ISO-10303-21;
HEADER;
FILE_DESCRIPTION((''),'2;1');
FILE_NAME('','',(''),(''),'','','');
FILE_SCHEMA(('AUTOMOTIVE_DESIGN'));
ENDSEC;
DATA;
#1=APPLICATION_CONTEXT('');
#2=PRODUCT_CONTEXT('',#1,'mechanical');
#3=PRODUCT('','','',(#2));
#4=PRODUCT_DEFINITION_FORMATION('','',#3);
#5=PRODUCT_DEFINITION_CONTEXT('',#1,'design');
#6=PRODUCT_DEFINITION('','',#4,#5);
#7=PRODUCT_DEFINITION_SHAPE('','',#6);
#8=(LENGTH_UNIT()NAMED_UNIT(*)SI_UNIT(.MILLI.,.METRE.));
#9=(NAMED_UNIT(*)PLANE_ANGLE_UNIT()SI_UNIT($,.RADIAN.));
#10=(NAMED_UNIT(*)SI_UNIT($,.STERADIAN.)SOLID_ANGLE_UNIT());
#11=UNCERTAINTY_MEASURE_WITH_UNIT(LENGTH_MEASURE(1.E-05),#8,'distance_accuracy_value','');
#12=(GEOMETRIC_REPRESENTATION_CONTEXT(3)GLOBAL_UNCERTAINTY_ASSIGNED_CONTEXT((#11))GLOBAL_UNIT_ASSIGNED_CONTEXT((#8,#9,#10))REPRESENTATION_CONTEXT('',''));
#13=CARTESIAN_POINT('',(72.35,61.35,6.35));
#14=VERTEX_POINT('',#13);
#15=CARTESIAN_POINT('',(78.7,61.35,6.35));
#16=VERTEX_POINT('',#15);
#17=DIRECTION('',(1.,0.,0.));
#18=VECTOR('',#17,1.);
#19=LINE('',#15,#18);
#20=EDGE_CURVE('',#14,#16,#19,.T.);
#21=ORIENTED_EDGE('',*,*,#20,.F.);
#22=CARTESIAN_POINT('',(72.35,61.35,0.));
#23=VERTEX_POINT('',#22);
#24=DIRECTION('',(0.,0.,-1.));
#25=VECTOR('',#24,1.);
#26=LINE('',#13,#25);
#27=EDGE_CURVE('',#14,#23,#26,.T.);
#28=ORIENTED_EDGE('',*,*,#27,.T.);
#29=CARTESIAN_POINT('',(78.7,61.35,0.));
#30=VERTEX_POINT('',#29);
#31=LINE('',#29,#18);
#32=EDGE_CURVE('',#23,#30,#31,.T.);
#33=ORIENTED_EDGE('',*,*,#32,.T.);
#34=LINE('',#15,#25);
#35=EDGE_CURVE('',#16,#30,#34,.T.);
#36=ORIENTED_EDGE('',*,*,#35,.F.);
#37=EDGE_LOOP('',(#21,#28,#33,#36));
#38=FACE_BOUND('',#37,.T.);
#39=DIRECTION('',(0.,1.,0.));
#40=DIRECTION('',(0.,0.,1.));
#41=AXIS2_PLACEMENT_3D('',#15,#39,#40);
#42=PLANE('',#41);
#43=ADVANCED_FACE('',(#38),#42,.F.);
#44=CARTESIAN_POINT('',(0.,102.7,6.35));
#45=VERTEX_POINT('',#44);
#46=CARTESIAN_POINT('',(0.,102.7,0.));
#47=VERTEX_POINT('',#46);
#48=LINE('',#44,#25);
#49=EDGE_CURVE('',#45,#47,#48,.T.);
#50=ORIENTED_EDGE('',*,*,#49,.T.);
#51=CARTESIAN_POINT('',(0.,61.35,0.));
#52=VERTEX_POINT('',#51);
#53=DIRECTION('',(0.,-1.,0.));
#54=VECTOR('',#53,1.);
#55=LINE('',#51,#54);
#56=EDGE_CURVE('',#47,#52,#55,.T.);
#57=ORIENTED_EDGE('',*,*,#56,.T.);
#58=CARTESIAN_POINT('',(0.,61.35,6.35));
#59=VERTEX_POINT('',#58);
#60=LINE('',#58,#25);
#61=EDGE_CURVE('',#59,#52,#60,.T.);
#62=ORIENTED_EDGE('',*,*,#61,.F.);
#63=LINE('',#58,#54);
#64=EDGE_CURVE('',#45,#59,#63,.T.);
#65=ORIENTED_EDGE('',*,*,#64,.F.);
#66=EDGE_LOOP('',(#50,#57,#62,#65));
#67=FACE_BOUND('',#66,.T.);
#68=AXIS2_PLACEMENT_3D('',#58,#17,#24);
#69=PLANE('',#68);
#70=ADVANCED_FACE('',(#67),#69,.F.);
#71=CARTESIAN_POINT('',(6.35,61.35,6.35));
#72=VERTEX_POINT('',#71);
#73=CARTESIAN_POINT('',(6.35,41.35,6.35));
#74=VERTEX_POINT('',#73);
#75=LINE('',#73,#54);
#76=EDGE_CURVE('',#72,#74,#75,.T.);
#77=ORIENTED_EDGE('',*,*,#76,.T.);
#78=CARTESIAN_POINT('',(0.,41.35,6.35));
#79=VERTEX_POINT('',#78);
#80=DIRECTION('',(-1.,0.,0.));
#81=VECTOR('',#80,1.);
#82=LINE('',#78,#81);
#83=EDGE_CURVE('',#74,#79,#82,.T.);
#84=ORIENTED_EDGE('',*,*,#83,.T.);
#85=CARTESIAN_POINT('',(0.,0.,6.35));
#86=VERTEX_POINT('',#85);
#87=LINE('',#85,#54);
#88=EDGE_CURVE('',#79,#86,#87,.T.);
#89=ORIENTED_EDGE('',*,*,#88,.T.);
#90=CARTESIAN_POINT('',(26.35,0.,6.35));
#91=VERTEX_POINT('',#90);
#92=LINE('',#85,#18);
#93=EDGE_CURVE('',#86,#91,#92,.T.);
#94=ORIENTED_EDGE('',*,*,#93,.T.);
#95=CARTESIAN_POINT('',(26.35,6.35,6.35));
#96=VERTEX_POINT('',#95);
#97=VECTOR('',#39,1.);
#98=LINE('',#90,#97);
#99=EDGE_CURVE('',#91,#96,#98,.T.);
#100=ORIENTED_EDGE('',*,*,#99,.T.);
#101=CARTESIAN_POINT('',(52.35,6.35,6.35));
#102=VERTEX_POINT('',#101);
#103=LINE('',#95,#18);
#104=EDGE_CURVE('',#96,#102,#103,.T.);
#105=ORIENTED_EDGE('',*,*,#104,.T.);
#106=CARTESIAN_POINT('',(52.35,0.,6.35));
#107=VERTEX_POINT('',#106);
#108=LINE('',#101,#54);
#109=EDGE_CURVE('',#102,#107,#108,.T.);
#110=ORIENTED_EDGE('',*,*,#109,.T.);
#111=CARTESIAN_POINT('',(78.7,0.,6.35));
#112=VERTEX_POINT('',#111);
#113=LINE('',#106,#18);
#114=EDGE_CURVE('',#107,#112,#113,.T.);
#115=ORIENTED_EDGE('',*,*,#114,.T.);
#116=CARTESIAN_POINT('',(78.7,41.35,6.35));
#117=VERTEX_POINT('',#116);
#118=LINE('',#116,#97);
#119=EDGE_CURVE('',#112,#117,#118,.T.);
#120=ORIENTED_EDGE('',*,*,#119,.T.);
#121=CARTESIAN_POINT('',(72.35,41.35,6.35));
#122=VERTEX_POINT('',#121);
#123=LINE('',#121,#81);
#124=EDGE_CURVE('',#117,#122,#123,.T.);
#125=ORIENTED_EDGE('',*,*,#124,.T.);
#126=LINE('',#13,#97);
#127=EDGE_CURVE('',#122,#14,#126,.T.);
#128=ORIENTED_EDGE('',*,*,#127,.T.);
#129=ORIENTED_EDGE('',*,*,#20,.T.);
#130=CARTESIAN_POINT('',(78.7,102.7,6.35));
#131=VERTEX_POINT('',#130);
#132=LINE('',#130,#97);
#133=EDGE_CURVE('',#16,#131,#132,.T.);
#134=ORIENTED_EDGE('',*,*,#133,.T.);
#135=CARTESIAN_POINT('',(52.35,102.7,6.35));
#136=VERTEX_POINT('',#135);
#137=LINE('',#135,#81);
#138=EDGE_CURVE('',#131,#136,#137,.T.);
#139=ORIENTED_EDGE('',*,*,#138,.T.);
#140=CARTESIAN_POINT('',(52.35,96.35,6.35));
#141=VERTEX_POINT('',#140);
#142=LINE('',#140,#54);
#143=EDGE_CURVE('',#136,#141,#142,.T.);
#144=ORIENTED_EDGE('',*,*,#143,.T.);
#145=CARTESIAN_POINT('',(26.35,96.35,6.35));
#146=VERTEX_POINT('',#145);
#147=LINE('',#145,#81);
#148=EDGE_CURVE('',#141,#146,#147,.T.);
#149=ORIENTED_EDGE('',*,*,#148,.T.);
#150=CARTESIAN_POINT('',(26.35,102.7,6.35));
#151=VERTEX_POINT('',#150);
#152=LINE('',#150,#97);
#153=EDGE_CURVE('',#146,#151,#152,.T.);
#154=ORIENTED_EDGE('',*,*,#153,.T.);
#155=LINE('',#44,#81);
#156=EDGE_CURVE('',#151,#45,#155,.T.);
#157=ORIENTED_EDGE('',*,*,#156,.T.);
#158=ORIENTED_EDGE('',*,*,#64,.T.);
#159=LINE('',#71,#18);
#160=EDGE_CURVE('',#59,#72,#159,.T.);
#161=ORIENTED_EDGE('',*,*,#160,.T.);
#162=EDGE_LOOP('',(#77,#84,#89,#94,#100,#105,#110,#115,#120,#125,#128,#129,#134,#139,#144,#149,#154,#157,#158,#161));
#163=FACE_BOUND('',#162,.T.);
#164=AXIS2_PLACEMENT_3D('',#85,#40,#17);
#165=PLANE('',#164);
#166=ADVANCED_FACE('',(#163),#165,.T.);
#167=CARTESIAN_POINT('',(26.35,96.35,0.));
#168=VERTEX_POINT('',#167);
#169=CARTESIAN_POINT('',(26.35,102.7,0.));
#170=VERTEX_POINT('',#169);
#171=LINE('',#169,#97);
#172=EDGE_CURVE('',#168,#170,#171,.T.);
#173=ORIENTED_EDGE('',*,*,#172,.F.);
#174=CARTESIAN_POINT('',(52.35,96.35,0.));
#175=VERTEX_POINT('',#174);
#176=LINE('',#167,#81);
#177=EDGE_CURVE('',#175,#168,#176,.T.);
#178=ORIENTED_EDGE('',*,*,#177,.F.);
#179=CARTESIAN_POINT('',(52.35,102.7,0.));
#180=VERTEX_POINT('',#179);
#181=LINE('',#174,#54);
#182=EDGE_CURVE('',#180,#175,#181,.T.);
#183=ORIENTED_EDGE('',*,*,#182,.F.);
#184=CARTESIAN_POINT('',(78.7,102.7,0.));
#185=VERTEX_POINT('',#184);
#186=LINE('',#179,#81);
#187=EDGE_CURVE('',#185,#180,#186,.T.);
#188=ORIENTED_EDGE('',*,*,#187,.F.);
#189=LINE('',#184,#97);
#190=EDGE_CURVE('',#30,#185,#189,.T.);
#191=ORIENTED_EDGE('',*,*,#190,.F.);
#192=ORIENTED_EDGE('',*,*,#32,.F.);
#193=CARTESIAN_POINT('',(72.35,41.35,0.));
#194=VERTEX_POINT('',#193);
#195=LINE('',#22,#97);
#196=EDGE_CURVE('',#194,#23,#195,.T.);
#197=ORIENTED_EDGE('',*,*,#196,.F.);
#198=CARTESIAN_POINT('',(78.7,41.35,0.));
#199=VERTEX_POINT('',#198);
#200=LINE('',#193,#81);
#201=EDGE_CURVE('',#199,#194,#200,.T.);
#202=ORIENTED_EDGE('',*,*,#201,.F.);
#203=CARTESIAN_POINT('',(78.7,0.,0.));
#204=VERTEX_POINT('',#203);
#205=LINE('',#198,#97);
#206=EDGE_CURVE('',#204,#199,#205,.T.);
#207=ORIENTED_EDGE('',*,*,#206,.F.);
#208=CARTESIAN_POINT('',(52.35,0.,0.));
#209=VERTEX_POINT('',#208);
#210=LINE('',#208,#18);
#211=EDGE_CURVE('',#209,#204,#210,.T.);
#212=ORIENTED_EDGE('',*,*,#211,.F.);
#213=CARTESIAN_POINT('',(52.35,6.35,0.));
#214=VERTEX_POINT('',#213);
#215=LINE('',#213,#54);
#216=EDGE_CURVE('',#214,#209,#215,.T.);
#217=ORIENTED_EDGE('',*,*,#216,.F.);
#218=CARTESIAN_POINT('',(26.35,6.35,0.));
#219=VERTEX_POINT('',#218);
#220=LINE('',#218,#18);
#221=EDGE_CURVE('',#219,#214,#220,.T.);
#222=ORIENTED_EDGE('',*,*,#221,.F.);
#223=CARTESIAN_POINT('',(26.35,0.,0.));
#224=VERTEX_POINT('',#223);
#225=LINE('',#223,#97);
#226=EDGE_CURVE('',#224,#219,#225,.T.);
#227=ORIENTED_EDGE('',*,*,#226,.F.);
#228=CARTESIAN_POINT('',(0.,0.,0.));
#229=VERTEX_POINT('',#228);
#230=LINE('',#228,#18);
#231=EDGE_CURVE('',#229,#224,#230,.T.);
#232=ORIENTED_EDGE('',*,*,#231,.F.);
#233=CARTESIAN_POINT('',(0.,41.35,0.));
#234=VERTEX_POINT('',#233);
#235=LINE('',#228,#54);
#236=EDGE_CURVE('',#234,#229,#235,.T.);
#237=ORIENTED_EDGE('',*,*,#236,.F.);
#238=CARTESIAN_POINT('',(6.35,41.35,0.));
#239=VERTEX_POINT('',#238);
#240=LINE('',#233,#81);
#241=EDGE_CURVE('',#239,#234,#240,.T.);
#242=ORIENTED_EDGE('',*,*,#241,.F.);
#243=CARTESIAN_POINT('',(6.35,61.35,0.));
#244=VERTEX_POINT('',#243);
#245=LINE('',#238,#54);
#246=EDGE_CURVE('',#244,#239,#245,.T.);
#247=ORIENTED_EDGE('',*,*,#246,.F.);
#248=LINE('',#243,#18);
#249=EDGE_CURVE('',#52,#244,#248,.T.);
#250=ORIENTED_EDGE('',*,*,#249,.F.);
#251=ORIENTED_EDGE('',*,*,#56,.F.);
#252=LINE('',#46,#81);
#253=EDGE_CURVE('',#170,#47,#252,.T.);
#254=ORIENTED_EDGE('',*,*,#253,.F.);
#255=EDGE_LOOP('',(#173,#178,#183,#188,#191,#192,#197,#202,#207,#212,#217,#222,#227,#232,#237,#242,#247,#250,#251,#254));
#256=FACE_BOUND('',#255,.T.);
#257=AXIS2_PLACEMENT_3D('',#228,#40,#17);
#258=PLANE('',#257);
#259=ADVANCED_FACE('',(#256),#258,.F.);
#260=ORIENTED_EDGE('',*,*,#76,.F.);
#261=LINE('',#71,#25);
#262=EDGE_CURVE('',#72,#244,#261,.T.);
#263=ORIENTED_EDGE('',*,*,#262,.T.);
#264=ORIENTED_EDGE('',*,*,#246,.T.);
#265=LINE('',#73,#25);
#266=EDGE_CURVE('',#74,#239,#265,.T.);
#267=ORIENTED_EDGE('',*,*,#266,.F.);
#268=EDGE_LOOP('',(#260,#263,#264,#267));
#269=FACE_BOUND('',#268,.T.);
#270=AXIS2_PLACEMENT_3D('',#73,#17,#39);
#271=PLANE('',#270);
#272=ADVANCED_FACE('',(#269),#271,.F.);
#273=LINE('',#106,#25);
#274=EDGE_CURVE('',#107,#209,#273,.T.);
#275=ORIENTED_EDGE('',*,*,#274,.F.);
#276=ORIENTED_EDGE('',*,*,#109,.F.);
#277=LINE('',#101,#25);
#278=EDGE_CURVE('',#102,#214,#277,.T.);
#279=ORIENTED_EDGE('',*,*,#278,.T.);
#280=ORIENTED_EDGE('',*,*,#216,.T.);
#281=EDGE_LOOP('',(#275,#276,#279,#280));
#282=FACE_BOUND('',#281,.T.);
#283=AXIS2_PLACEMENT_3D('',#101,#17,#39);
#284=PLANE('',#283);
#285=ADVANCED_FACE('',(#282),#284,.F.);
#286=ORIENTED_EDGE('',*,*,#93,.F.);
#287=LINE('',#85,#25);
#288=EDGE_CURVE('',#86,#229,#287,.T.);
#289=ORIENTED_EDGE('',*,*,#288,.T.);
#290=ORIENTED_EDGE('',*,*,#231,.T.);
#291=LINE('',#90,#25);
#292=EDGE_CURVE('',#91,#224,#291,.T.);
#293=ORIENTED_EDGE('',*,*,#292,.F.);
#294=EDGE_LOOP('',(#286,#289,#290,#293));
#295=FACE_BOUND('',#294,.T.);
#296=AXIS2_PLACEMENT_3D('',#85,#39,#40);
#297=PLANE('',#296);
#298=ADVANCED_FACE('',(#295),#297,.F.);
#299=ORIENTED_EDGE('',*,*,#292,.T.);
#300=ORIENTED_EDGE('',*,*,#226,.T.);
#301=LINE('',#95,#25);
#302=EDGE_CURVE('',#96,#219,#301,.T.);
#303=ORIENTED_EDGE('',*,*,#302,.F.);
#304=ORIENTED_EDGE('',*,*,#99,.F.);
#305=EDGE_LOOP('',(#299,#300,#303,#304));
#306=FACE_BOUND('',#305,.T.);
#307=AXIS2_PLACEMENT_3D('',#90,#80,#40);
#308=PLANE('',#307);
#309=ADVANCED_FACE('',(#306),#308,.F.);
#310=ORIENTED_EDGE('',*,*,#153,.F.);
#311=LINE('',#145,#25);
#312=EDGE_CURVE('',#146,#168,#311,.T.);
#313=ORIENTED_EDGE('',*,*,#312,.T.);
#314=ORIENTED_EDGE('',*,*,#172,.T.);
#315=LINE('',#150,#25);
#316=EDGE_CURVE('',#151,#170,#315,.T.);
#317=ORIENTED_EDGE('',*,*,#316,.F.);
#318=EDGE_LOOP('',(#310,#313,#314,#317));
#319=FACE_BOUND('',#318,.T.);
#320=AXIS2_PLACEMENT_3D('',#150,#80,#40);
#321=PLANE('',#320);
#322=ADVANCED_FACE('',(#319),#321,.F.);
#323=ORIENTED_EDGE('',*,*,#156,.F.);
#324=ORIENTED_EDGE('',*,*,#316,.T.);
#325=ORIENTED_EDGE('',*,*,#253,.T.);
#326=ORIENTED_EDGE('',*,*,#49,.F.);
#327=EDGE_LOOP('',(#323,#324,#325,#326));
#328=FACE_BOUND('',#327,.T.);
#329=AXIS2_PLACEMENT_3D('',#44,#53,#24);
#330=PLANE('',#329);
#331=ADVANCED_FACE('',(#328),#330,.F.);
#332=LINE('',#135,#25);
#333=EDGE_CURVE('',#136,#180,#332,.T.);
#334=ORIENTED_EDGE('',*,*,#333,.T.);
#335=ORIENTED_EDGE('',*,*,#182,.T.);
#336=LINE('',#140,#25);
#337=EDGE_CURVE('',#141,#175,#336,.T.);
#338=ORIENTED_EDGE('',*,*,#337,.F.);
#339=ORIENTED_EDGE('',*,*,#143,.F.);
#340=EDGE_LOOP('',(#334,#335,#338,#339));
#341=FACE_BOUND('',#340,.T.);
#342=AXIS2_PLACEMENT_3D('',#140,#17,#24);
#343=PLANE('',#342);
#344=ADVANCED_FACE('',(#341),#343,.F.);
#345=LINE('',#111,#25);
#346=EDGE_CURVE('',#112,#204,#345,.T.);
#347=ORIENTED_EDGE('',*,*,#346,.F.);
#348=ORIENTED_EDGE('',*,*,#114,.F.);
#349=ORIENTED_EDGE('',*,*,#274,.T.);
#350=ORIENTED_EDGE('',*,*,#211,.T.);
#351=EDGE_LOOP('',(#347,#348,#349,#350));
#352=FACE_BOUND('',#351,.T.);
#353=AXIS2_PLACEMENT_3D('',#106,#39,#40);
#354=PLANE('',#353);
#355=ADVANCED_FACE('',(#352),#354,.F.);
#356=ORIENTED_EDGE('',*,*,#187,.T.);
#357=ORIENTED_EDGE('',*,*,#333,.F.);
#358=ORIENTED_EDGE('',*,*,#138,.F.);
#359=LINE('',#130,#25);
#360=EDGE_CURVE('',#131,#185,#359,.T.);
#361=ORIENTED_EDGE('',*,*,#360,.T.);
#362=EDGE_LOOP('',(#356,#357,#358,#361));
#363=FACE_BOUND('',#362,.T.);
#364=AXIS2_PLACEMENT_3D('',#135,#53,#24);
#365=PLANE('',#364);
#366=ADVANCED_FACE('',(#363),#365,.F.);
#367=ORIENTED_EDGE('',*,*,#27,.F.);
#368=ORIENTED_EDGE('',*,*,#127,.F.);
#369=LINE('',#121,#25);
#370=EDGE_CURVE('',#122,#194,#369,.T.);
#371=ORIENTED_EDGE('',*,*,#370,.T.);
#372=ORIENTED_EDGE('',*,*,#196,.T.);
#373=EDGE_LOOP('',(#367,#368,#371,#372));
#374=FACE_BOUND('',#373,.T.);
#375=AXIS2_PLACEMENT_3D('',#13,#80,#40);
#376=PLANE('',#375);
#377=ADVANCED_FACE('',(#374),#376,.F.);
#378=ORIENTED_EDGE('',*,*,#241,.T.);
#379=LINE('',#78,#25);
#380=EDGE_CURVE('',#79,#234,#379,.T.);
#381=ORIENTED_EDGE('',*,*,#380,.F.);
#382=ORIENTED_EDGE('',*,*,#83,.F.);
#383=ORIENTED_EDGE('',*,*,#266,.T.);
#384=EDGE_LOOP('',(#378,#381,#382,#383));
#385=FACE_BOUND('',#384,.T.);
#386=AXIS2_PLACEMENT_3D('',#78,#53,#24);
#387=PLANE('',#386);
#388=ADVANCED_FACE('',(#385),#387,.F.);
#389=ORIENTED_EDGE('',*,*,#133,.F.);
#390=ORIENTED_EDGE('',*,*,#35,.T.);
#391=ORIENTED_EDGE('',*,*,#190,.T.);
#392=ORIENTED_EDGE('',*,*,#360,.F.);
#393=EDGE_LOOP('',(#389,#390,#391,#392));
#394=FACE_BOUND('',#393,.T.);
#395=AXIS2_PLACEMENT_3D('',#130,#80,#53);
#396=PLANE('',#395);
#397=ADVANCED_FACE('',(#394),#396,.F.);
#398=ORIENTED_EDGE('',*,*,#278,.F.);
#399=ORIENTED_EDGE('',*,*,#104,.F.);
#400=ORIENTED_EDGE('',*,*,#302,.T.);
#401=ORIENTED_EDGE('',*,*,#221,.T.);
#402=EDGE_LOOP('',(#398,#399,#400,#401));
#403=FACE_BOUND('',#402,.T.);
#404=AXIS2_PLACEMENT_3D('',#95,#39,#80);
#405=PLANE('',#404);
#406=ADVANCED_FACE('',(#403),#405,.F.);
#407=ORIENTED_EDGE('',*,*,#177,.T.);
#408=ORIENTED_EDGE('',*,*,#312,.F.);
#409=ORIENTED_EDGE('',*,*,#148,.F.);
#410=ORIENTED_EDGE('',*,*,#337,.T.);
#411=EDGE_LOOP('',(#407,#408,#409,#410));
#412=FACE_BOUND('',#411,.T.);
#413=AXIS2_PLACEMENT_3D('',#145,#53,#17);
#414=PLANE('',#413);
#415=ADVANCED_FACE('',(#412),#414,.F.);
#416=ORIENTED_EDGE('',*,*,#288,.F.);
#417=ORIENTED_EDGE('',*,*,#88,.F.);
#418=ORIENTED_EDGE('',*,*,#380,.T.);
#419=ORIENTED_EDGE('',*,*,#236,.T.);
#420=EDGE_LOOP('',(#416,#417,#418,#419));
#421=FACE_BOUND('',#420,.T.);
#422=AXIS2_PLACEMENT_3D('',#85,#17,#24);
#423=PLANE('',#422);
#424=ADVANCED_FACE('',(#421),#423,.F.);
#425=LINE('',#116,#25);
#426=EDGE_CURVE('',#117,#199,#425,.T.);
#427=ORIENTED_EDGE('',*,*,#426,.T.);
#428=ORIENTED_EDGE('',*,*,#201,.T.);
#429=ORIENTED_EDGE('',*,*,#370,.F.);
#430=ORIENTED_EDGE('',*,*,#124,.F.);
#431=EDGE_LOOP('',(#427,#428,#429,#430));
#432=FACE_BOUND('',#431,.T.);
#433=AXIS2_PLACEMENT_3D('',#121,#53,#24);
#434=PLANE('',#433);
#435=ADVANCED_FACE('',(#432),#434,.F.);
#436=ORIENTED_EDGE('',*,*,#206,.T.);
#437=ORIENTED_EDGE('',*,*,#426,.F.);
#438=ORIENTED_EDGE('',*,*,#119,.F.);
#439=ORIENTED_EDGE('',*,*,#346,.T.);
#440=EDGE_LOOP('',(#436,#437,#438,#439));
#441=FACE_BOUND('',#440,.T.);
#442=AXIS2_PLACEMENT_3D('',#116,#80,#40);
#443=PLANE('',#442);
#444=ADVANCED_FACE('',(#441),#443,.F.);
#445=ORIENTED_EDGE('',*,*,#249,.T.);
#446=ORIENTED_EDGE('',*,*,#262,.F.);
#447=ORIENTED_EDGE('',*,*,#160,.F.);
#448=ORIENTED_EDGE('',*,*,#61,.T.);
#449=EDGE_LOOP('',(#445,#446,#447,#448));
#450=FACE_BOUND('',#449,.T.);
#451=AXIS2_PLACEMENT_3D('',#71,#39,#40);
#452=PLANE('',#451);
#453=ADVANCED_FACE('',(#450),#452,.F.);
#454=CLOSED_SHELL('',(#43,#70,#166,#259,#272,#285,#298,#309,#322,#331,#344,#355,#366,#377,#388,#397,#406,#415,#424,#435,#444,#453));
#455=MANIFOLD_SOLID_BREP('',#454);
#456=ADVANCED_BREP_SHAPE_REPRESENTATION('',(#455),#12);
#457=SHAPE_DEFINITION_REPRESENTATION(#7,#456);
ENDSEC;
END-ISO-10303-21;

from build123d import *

# Parameters (mm, degrees)
BOSS_EXTRUDE1_DEPTH = 6.35


with BuildPart() as part:
    # Sketch1 → Boss-Extrude1 (new body)
    with BuildSketch(Plane.XY):
        Polygon((0, 0), (0, 41.35), (6.35, 41.35), (6.35, 61.35), (0, 61.35), (0, 102.7), (26.35, 102.7), (26.35, 96.35), (52.35, 96.35), (52.35, 102.7), (78.7, 102.7), (78.7, 61.35), (72.35, 61.35), (72.35, 41.35), (78.7, 41.35), (78.7, 0), (52.35, 0), (52.35, 6.35), (26.35, 6.35), (26.35, 0), align=None)
    extrude(amount=BOSS_EXTRUDE1_DEPTH)


solid = part.part
